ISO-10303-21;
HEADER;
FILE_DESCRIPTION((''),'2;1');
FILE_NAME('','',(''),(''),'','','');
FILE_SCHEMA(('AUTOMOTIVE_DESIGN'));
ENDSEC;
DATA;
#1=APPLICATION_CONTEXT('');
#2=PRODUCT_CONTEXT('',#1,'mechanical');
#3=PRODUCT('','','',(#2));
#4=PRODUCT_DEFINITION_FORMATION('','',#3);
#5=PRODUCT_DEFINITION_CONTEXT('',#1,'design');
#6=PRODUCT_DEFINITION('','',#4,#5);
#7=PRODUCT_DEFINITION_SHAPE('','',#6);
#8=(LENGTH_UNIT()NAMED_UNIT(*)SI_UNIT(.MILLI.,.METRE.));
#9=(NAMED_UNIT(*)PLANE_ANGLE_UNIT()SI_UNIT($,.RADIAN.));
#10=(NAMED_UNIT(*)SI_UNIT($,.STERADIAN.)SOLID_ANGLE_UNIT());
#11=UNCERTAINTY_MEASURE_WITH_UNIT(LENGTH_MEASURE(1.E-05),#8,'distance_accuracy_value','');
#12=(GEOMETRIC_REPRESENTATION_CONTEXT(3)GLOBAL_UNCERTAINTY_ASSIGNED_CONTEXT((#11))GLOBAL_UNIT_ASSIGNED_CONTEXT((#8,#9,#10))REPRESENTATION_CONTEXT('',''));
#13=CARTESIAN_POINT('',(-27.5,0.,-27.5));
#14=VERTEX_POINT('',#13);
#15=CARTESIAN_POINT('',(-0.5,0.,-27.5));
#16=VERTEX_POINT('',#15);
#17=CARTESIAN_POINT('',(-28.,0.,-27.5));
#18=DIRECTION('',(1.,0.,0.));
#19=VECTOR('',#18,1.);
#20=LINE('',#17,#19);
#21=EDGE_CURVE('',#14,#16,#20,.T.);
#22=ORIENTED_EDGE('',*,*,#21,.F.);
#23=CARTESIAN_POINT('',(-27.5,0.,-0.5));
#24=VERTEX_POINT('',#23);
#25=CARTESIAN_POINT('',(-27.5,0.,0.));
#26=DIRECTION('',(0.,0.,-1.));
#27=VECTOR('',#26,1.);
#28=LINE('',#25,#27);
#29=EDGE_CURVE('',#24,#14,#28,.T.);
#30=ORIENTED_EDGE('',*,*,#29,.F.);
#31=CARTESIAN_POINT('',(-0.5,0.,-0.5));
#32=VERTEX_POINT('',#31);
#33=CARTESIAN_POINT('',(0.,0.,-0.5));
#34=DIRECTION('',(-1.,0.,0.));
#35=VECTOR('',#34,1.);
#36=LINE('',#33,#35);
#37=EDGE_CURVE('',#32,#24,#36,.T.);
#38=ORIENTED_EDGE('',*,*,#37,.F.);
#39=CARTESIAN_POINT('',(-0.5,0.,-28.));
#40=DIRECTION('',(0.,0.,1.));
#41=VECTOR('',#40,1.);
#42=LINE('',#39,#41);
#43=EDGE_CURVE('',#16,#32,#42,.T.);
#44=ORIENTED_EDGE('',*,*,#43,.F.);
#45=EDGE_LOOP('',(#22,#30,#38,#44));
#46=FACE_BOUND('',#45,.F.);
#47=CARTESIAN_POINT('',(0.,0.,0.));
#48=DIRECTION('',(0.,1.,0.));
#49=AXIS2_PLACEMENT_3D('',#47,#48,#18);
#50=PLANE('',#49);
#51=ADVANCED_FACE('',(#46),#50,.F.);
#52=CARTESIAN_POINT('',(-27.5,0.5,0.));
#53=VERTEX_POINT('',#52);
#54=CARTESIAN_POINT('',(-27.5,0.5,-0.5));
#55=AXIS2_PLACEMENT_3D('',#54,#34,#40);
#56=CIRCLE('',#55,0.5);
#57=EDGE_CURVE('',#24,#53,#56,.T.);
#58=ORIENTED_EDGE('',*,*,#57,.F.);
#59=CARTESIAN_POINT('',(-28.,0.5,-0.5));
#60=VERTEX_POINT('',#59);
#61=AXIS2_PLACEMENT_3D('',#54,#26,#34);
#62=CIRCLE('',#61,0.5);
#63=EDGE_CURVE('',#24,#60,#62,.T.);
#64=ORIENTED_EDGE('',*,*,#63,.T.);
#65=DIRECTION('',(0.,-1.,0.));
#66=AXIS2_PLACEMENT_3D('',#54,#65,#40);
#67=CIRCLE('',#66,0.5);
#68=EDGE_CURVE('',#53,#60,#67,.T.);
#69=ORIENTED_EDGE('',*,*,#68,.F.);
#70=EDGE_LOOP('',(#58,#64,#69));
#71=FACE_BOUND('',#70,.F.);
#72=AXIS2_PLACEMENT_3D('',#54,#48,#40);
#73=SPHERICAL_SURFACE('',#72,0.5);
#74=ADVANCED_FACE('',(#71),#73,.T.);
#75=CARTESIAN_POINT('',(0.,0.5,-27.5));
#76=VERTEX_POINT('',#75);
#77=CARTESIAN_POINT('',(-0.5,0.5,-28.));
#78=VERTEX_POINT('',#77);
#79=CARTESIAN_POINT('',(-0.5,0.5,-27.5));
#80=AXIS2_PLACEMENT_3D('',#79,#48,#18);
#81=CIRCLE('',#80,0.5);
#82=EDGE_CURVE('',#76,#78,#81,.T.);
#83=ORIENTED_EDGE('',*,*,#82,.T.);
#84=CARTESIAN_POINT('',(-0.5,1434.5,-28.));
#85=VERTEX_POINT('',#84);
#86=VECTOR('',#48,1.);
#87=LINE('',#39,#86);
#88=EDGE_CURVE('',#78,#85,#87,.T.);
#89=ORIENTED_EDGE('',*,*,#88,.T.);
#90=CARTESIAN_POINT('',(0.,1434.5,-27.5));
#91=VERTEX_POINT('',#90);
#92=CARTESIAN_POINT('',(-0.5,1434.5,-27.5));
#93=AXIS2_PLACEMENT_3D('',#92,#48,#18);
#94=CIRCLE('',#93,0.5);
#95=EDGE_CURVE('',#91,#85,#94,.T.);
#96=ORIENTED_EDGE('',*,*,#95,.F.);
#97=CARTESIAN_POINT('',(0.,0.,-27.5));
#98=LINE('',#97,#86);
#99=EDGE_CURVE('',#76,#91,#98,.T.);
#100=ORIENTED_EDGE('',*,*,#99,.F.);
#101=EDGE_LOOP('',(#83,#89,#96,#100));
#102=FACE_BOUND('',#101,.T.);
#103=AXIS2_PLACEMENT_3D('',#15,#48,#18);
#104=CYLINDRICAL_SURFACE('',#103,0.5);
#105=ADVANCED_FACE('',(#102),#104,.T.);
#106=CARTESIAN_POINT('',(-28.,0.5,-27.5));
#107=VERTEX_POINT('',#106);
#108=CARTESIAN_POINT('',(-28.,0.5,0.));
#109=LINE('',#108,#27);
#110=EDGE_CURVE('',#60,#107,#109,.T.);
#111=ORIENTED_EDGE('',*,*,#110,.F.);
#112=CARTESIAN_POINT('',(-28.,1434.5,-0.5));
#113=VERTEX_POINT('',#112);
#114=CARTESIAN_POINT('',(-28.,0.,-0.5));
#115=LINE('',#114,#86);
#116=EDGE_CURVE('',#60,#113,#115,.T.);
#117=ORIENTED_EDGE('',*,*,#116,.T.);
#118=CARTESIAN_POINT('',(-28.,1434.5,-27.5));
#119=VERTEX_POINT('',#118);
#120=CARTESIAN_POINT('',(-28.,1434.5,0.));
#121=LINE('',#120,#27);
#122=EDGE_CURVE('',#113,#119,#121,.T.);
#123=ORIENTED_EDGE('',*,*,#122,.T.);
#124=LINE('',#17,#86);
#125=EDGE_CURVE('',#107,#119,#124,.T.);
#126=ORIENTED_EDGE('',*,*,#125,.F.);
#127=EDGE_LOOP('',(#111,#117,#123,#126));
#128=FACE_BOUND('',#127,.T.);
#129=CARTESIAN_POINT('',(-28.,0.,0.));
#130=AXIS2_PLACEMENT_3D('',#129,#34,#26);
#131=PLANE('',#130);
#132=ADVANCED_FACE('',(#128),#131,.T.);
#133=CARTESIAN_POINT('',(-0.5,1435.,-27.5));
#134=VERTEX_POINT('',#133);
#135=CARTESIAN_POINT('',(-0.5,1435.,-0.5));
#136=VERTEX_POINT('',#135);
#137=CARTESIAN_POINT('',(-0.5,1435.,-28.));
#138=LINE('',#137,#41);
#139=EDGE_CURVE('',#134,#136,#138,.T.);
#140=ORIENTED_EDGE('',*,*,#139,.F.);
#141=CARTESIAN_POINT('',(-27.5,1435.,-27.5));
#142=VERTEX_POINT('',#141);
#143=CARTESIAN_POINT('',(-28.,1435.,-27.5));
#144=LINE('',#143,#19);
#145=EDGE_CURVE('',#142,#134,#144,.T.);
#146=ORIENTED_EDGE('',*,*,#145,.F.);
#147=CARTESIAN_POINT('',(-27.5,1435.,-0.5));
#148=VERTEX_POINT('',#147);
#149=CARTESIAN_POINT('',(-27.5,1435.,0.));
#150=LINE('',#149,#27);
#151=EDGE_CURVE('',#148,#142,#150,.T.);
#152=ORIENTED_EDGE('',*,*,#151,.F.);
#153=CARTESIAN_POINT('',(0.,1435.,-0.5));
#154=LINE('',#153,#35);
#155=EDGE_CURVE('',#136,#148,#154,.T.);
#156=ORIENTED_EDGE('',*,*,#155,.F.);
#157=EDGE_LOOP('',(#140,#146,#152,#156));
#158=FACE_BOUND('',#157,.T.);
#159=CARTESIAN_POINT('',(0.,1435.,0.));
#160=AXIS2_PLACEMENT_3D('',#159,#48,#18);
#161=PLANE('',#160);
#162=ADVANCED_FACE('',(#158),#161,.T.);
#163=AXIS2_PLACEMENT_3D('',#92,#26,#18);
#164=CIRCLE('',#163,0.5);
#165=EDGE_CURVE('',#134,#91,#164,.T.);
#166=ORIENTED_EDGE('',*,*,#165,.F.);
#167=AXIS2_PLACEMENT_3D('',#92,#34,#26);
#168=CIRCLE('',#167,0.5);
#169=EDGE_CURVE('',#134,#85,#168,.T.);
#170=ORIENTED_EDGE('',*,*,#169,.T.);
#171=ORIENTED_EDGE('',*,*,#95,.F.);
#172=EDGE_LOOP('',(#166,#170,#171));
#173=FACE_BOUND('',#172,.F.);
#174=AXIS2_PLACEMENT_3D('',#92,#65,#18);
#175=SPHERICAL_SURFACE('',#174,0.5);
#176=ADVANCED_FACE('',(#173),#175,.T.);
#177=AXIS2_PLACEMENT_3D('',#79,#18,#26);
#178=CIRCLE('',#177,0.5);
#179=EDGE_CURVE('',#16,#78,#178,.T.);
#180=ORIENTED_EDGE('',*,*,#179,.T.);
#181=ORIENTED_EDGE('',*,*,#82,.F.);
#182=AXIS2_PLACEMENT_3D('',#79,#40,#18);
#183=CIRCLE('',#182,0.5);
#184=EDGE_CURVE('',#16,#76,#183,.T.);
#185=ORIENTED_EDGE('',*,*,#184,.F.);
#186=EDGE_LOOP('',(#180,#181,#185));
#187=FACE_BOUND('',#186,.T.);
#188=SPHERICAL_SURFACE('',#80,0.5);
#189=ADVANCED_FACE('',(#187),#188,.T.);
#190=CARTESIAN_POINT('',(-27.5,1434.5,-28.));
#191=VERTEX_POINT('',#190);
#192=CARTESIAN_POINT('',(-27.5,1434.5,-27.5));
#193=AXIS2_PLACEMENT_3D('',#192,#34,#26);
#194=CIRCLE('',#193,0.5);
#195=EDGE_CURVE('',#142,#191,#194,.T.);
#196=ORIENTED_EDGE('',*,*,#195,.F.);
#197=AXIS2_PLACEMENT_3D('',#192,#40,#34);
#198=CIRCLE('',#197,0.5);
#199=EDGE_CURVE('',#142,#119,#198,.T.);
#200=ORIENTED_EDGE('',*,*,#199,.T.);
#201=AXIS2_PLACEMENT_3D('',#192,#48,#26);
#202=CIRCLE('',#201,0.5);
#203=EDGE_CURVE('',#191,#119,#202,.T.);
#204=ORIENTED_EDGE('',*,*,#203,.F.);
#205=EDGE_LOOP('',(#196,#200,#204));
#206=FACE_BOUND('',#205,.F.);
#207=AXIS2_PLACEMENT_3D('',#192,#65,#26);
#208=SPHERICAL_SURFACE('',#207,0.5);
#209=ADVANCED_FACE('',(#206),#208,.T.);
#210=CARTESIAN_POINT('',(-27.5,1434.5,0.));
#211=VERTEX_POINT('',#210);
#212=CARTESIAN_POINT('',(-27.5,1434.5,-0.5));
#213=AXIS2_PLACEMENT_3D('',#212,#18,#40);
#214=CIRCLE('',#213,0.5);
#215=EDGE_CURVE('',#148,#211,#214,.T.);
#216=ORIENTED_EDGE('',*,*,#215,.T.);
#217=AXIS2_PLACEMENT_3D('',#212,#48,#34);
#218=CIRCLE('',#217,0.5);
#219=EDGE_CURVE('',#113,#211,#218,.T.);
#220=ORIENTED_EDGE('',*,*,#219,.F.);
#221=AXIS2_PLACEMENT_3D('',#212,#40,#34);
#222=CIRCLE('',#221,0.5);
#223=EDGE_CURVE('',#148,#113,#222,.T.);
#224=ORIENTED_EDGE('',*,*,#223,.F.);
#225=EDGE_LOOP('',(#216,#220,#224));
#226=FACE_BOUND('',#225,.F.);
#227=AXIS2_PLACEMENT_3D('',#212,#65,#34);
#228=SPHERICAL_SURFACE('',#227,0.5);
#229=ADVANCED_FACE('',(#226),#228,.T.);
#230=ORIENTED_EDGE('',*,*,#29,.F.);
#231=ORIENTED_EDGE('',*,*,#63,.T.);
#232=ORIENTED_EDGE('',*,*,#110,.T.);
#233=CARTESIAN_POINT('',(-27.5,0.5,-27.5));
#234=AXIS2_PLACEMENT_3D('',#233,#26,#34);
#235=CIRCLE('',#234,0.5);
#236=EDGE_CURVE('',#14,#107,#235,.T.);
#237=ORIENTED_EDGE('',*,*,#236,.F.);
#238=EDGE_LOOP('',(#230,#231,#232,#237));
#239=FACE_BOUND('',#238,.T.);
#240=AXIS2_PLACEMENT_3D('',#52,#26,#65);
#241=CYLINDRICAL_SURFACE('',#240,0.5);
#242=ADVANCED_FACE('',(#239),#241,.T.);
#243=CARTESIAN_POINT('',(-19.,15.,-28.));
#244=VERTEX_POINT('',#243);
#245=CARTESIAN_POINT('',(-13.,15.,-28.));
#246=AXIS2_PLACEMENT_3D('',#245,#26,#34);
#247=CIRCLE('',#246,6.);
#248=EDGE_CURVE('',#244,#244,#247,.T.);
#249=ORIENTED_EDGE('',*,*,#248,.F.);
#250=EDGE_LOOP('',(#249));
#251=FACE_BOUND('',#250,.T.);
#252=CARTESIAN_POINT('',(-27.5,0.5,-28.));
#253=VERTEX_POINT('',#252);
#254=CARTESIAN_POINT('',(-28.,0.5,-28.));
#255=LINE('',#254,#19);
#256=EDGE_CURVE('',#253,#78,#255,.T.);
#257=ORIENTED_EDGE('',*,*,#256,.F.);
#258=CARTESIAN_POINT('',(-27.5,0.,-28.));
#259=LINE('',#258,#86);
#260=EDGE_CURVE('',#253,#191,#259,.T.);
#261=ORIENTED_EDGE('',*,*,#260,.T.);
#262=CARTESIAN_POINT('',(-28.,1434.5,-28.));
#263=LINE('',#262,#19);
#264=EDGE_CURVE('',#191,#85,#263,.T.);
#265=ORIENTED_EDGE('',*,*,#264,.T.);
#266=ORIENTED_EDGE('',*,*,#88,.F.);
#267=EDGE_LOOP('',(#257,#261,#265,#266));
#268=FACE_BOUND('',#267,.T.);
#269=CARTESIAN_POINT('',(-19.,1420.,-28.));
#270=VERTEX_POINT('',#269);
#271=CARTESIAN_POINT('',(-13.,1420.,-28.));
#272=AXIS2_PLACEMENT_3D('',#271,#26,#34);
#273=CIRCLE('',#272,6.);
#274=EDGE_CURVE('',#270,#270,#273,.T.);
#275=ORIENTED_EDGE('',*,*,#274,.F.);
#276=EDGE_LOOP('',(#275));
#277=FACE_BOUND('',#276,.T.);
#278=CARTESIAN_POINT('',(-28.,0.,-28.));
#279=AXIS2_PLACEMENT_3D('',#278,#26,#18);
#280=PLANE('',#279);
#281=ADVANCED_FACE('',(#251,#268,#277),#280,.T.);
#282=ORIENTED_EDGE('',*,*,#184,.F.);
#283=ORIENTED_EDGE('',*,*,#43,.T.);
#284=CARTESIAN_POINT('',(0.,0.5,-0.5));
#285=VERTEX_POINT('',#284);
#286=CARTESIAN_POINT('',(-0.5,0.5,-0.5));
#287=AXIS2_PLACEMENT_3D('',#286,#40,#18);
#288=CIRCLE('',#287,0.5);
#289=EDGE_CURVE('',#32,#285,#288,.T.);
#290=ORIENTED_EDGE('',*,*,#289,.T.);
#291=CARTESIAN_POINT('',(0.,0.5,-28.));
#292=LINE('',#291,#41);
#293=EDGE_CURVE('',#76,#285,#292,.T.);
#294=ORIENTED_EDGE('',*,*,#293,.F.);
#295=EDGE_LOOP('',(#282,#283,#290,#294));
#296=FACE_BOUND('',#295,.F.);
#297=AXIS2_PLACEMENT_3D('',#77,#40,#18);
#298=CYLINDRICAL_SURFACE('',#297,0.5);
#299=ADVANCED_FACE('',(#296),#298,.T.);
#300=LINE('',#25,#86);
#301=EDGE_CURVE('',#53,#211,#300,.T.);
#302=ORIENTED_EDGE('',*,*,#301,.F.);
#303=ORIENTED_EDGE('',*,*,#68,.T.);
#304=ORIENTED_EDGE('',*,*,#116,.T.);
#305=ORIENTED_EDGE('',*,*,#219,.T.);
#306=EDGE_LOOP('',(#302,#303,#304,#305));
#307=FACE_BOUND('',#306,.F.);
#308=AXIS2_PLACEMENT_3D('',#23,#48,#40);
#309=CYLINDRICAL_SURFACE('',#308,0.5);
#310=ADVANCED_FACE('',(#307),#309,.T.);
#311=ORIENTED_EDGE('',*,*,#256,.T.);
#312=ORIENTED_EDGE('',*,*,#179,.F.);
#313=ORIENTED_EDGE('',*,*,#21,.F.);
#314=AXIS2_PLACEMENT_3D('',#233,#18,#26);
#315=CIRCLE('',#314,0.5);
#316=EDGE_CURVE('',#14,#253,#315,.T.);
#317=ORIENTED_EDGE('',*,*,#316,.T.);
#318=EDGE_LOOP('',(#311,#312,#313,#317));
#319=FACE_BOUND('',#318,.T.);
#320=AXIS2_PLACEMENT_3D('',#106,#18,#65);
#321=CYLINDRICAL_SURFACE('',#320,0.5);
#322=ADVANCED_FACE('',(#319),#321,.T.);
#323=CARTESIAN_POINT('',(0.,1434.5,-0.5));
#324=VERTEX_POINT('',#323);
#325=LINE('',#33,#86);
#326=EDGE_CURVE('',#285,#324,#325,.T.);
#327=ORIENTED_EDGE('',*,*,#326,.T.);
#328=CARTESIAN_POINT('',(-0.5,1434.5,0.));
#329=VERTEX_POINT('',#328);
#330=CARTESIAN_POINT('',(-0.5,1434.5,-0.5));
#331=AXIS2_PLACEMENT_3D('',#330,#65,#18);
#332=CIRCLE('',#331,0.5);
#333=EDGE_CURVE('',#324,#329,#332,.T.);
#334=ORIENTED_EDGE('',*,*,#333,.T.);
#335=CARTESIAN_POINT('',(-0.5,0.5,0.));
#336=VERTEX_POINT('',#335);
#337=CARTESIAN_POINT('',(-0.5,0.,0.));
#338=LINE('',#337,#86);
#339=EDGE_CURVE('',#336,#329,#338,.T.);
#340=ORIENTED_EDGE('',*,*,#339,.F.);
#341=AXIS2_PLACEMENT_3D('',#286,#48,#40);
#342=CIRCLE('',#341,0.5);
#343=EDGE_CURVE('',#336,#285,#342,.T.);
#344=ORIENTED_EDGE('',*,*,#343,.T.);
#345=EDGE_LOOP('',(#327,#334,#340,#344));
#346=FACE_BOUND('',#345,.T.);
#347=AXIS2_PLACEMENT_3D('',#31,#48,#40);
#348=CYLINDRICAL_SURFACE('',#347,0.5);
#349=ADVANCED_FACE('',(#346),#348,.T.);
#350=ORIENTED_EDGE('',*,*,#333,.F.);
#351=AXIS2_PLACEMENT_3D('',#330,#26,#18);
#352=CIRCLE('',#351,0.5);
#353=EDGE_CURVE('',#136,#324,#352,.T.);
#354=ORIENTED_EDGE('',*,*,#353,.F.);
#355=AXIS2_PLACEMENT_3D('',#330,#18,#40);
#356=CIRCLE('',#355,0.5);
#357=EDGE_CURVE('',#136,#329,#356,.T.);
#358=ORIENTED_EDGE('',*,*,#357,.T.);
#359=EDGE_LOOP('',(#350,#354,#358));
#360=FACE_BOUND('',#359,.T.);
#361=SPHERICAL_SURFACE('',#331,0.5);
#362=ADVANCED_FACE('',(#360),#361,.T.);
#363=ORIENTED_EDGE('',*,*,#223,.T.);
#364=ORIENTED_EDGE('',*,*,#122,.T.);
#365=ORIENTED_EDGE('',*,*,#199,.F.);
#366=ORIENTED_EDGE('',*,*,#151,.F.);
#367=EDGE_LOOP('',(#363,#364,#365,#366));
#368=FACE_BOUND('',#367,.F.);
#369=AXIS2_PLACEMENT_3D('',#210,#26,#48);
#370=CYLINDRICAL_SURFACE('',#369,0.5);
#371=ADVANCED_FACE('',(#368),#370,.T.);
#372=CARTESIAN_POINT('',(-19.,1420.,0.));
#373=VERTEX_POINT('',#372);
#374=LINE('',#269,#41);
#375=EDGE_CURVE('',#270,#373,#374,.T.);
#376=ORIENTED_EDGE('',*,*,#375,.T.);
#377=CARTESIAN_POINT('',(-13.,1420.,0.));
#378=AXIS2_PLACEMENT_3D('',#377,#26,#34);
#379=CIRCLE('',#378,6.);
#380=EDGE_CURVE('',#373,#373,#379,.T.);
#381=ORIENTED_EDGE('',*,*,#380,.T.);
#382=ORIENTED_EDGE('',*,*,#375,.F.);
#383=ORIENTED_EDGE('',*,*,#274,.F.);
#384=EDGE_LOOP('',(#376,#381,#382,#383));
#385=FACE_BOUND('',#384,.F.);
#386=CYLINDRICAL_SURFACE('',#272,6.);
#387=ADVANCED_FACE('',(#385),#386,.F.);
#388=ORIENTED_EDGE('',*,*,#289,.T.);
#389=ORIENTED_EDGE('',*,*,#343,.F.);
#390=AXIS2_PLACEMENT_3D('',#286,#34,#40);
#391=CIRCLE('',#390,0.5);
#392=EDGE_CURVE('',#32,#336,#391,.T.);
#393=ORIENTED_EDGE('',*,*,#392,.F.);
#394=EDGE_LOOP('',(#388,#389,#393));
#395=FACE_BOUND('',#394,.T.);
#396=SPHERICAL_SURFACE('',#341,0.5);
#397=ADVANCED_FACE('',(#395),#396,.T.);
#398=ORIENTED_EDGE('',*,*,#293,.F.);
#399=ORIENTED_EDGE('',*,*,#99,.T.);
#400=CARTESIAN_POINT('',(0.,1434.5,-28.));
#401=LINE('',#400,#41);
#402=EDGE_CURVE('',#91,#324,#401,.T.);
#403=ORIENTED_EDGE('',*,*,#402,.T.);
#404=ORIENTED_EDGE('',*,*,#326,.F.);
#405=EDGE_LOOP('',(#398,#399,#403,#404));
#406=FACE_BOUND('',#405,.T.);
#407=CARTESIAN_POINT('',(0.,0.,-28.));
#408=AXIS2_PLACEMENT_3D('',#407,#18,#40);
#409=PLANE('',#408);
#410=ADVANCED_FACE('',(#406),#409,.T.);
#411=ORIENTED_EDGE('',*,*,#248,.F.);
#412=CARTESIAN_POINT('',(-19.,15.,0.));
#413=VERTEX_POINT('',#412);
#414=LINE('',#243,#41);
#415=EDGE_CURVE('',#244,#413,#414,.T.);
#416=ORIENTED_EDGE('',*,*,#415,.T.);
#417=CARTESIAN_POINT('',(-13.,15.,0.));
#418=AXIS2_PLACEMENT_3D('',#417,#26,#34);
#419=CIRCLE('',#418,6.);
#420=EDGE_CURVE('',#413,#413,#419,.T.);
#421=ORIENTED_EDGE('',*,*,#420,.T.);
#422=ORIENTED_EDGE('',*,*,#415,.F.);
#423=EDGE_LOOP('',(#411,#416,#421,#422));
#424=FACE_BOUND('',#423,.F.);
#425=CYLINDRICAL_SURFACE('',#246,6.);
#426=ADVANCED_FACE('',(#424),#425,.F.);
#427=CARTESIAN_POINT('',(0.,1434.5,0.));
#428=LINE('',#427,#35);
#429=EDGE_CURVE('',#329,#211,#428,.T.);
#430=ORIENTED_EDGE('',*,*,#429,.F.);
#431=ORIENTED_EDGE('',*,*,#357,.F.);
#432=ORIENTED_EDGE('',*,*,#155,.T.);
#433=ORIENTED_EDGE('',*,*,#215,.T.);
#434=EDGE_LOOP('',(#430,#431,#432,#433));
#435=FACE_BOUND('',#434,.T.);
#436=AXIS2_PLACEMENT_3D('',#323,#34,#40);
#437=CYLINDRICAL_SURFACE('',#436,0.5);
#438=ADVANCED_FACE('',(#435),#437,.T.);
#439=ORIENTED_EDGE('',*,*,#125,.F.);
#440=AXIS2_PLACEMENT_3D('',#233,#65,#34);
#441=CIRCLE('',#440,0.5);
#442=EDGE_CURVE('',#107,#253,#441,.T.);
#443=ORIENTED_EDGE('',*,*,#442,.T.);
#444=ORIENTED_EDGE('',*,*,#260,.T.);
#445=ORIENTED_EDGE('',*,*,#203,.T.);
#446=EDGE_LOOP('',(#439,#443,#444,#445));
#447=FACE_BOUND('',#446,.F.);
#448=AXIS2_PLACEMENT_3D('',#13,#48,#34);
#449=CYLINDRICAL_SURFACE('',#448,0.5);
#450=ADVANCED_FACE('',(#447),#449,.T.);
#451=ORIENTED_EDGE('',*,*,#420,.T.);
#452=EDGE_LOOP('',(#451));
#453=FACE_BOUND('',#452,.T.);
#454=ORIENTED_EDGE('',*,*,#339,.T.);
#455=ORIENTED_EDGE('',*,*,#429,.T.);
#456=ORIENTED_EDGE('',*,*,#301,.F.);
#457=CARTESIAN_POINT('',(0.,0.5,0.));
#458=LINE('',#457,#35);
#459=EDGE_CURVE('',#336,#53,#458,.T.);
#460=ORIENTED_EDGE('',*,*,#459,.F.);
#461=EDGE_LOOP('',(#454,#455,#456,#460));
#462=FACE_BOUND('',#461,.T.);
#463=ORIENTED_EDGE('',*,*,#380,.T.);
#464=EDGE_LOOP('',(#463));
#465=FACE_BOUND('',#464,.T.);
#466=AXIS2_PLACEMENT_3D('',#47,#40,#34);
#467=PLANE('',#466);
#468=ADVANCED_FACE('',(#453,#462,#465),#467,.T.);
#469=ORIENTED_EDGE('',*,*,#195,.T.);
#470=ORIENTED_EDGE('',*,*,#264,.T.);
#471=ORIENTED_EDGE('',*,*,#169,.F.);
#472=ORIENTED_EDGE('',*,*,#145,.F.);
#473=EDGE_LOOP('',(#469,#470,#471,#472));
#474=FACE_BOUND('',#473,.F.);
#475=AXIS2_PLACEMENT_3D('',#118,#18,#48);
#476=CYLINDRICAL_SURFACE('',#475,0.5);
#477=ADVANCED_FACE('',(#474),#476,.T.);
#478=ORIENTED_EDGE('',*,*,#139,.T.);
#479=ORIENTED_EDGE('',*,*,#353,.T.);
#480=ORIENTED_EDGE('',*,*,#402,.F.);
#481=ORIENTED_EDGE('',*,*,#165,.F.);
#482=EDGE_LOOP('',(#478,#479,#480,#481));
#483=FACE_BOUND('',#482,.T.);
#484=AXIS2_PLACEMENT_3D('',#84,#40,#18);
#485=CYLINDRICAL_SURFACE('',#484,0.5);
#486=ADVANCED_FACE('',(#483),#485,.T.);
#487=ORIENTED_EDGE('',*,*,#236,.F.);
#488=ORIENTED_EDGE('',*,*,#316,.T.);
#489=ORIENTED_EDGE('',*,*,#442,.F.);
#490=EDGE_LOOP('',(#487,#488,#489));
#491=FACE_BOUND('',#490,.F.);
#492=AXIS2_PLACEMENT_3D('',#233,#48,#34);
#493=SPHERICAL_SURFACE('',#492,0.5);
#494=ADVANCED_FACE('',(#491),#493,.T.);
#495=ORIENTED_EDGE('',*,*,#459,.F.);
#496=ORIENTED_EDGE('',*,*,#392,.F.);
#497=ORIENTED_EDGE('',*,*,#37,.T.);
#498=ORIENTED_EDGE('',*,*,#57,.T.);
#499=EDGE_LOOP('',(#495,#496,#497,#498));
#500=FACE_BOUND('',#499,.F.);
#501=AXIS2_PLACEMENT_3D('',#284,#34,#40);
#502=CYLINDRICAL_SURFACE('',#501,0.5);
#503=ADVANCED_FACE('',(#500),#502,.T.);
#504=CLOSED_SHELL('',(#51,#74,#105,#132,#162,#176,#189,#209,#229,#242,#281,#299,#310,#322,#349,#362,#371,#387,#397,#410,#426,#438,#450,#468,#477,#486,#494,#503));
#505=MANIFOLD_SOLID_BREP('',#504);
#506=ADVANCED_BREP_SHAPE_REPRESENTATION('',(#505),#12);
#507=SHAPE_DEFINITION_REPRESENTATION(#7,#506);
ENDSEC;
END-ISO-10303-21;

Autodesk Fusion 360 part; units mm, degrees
sketch "Sketch2" plane through (0, 0, 0) normal (0, 1, 0) x (1, 0, 0)
  line L0 (0, 0) -> (-28, 0)
  line L1 (-28, 0) -> (-28, 28)
  line L2 (-28, 28) -> (0, 28)
  line L3 (0, 28) -> (0, 0)
  dimension "d1" = 28
  dimension "d2" = 28
extrude "Extrude1" add sketch "Sketch2" along normal blind 1435
sketch "Sketch3" plane through (0, 0, -28) normal (0, 0, -1) x (-1, 0, 0)
  line L0 (0, 0) -> (28, 0)
  line L1 (28, 0) -> (28, 1435)
  line L2 (28, 1435) -> (0, 1435)
  line L3 (0, 1435) -> (0, 0)
  circle A0 centre (13, 1420) radius 6
  line L4 (28, 717.5) -> (0, 717.5) construction
  circle A1 centre (13, 15) radius 6
  dimension "d5" = 12
  dimension "d6" = 15
  dimension "d7" = 15
extrude "Extrude2" cut sketch "Sketch3" against normal through all contours A0 | A1
fillet "Fillet1" radius 0.5 12 edges at (-28, 717.5, 0) (0, 717.5, 0) (-28, 717.5, -28) (0, 717.5, -28) (0, 1435, -14) (-14, 1435, -28) (-28, 1435, -14) (-14, 1435, 0) (-14, 0, 0) (-28, 0, -14) (0, 0, -14) (-14, 0, -28)
equation "d7 = d6"
